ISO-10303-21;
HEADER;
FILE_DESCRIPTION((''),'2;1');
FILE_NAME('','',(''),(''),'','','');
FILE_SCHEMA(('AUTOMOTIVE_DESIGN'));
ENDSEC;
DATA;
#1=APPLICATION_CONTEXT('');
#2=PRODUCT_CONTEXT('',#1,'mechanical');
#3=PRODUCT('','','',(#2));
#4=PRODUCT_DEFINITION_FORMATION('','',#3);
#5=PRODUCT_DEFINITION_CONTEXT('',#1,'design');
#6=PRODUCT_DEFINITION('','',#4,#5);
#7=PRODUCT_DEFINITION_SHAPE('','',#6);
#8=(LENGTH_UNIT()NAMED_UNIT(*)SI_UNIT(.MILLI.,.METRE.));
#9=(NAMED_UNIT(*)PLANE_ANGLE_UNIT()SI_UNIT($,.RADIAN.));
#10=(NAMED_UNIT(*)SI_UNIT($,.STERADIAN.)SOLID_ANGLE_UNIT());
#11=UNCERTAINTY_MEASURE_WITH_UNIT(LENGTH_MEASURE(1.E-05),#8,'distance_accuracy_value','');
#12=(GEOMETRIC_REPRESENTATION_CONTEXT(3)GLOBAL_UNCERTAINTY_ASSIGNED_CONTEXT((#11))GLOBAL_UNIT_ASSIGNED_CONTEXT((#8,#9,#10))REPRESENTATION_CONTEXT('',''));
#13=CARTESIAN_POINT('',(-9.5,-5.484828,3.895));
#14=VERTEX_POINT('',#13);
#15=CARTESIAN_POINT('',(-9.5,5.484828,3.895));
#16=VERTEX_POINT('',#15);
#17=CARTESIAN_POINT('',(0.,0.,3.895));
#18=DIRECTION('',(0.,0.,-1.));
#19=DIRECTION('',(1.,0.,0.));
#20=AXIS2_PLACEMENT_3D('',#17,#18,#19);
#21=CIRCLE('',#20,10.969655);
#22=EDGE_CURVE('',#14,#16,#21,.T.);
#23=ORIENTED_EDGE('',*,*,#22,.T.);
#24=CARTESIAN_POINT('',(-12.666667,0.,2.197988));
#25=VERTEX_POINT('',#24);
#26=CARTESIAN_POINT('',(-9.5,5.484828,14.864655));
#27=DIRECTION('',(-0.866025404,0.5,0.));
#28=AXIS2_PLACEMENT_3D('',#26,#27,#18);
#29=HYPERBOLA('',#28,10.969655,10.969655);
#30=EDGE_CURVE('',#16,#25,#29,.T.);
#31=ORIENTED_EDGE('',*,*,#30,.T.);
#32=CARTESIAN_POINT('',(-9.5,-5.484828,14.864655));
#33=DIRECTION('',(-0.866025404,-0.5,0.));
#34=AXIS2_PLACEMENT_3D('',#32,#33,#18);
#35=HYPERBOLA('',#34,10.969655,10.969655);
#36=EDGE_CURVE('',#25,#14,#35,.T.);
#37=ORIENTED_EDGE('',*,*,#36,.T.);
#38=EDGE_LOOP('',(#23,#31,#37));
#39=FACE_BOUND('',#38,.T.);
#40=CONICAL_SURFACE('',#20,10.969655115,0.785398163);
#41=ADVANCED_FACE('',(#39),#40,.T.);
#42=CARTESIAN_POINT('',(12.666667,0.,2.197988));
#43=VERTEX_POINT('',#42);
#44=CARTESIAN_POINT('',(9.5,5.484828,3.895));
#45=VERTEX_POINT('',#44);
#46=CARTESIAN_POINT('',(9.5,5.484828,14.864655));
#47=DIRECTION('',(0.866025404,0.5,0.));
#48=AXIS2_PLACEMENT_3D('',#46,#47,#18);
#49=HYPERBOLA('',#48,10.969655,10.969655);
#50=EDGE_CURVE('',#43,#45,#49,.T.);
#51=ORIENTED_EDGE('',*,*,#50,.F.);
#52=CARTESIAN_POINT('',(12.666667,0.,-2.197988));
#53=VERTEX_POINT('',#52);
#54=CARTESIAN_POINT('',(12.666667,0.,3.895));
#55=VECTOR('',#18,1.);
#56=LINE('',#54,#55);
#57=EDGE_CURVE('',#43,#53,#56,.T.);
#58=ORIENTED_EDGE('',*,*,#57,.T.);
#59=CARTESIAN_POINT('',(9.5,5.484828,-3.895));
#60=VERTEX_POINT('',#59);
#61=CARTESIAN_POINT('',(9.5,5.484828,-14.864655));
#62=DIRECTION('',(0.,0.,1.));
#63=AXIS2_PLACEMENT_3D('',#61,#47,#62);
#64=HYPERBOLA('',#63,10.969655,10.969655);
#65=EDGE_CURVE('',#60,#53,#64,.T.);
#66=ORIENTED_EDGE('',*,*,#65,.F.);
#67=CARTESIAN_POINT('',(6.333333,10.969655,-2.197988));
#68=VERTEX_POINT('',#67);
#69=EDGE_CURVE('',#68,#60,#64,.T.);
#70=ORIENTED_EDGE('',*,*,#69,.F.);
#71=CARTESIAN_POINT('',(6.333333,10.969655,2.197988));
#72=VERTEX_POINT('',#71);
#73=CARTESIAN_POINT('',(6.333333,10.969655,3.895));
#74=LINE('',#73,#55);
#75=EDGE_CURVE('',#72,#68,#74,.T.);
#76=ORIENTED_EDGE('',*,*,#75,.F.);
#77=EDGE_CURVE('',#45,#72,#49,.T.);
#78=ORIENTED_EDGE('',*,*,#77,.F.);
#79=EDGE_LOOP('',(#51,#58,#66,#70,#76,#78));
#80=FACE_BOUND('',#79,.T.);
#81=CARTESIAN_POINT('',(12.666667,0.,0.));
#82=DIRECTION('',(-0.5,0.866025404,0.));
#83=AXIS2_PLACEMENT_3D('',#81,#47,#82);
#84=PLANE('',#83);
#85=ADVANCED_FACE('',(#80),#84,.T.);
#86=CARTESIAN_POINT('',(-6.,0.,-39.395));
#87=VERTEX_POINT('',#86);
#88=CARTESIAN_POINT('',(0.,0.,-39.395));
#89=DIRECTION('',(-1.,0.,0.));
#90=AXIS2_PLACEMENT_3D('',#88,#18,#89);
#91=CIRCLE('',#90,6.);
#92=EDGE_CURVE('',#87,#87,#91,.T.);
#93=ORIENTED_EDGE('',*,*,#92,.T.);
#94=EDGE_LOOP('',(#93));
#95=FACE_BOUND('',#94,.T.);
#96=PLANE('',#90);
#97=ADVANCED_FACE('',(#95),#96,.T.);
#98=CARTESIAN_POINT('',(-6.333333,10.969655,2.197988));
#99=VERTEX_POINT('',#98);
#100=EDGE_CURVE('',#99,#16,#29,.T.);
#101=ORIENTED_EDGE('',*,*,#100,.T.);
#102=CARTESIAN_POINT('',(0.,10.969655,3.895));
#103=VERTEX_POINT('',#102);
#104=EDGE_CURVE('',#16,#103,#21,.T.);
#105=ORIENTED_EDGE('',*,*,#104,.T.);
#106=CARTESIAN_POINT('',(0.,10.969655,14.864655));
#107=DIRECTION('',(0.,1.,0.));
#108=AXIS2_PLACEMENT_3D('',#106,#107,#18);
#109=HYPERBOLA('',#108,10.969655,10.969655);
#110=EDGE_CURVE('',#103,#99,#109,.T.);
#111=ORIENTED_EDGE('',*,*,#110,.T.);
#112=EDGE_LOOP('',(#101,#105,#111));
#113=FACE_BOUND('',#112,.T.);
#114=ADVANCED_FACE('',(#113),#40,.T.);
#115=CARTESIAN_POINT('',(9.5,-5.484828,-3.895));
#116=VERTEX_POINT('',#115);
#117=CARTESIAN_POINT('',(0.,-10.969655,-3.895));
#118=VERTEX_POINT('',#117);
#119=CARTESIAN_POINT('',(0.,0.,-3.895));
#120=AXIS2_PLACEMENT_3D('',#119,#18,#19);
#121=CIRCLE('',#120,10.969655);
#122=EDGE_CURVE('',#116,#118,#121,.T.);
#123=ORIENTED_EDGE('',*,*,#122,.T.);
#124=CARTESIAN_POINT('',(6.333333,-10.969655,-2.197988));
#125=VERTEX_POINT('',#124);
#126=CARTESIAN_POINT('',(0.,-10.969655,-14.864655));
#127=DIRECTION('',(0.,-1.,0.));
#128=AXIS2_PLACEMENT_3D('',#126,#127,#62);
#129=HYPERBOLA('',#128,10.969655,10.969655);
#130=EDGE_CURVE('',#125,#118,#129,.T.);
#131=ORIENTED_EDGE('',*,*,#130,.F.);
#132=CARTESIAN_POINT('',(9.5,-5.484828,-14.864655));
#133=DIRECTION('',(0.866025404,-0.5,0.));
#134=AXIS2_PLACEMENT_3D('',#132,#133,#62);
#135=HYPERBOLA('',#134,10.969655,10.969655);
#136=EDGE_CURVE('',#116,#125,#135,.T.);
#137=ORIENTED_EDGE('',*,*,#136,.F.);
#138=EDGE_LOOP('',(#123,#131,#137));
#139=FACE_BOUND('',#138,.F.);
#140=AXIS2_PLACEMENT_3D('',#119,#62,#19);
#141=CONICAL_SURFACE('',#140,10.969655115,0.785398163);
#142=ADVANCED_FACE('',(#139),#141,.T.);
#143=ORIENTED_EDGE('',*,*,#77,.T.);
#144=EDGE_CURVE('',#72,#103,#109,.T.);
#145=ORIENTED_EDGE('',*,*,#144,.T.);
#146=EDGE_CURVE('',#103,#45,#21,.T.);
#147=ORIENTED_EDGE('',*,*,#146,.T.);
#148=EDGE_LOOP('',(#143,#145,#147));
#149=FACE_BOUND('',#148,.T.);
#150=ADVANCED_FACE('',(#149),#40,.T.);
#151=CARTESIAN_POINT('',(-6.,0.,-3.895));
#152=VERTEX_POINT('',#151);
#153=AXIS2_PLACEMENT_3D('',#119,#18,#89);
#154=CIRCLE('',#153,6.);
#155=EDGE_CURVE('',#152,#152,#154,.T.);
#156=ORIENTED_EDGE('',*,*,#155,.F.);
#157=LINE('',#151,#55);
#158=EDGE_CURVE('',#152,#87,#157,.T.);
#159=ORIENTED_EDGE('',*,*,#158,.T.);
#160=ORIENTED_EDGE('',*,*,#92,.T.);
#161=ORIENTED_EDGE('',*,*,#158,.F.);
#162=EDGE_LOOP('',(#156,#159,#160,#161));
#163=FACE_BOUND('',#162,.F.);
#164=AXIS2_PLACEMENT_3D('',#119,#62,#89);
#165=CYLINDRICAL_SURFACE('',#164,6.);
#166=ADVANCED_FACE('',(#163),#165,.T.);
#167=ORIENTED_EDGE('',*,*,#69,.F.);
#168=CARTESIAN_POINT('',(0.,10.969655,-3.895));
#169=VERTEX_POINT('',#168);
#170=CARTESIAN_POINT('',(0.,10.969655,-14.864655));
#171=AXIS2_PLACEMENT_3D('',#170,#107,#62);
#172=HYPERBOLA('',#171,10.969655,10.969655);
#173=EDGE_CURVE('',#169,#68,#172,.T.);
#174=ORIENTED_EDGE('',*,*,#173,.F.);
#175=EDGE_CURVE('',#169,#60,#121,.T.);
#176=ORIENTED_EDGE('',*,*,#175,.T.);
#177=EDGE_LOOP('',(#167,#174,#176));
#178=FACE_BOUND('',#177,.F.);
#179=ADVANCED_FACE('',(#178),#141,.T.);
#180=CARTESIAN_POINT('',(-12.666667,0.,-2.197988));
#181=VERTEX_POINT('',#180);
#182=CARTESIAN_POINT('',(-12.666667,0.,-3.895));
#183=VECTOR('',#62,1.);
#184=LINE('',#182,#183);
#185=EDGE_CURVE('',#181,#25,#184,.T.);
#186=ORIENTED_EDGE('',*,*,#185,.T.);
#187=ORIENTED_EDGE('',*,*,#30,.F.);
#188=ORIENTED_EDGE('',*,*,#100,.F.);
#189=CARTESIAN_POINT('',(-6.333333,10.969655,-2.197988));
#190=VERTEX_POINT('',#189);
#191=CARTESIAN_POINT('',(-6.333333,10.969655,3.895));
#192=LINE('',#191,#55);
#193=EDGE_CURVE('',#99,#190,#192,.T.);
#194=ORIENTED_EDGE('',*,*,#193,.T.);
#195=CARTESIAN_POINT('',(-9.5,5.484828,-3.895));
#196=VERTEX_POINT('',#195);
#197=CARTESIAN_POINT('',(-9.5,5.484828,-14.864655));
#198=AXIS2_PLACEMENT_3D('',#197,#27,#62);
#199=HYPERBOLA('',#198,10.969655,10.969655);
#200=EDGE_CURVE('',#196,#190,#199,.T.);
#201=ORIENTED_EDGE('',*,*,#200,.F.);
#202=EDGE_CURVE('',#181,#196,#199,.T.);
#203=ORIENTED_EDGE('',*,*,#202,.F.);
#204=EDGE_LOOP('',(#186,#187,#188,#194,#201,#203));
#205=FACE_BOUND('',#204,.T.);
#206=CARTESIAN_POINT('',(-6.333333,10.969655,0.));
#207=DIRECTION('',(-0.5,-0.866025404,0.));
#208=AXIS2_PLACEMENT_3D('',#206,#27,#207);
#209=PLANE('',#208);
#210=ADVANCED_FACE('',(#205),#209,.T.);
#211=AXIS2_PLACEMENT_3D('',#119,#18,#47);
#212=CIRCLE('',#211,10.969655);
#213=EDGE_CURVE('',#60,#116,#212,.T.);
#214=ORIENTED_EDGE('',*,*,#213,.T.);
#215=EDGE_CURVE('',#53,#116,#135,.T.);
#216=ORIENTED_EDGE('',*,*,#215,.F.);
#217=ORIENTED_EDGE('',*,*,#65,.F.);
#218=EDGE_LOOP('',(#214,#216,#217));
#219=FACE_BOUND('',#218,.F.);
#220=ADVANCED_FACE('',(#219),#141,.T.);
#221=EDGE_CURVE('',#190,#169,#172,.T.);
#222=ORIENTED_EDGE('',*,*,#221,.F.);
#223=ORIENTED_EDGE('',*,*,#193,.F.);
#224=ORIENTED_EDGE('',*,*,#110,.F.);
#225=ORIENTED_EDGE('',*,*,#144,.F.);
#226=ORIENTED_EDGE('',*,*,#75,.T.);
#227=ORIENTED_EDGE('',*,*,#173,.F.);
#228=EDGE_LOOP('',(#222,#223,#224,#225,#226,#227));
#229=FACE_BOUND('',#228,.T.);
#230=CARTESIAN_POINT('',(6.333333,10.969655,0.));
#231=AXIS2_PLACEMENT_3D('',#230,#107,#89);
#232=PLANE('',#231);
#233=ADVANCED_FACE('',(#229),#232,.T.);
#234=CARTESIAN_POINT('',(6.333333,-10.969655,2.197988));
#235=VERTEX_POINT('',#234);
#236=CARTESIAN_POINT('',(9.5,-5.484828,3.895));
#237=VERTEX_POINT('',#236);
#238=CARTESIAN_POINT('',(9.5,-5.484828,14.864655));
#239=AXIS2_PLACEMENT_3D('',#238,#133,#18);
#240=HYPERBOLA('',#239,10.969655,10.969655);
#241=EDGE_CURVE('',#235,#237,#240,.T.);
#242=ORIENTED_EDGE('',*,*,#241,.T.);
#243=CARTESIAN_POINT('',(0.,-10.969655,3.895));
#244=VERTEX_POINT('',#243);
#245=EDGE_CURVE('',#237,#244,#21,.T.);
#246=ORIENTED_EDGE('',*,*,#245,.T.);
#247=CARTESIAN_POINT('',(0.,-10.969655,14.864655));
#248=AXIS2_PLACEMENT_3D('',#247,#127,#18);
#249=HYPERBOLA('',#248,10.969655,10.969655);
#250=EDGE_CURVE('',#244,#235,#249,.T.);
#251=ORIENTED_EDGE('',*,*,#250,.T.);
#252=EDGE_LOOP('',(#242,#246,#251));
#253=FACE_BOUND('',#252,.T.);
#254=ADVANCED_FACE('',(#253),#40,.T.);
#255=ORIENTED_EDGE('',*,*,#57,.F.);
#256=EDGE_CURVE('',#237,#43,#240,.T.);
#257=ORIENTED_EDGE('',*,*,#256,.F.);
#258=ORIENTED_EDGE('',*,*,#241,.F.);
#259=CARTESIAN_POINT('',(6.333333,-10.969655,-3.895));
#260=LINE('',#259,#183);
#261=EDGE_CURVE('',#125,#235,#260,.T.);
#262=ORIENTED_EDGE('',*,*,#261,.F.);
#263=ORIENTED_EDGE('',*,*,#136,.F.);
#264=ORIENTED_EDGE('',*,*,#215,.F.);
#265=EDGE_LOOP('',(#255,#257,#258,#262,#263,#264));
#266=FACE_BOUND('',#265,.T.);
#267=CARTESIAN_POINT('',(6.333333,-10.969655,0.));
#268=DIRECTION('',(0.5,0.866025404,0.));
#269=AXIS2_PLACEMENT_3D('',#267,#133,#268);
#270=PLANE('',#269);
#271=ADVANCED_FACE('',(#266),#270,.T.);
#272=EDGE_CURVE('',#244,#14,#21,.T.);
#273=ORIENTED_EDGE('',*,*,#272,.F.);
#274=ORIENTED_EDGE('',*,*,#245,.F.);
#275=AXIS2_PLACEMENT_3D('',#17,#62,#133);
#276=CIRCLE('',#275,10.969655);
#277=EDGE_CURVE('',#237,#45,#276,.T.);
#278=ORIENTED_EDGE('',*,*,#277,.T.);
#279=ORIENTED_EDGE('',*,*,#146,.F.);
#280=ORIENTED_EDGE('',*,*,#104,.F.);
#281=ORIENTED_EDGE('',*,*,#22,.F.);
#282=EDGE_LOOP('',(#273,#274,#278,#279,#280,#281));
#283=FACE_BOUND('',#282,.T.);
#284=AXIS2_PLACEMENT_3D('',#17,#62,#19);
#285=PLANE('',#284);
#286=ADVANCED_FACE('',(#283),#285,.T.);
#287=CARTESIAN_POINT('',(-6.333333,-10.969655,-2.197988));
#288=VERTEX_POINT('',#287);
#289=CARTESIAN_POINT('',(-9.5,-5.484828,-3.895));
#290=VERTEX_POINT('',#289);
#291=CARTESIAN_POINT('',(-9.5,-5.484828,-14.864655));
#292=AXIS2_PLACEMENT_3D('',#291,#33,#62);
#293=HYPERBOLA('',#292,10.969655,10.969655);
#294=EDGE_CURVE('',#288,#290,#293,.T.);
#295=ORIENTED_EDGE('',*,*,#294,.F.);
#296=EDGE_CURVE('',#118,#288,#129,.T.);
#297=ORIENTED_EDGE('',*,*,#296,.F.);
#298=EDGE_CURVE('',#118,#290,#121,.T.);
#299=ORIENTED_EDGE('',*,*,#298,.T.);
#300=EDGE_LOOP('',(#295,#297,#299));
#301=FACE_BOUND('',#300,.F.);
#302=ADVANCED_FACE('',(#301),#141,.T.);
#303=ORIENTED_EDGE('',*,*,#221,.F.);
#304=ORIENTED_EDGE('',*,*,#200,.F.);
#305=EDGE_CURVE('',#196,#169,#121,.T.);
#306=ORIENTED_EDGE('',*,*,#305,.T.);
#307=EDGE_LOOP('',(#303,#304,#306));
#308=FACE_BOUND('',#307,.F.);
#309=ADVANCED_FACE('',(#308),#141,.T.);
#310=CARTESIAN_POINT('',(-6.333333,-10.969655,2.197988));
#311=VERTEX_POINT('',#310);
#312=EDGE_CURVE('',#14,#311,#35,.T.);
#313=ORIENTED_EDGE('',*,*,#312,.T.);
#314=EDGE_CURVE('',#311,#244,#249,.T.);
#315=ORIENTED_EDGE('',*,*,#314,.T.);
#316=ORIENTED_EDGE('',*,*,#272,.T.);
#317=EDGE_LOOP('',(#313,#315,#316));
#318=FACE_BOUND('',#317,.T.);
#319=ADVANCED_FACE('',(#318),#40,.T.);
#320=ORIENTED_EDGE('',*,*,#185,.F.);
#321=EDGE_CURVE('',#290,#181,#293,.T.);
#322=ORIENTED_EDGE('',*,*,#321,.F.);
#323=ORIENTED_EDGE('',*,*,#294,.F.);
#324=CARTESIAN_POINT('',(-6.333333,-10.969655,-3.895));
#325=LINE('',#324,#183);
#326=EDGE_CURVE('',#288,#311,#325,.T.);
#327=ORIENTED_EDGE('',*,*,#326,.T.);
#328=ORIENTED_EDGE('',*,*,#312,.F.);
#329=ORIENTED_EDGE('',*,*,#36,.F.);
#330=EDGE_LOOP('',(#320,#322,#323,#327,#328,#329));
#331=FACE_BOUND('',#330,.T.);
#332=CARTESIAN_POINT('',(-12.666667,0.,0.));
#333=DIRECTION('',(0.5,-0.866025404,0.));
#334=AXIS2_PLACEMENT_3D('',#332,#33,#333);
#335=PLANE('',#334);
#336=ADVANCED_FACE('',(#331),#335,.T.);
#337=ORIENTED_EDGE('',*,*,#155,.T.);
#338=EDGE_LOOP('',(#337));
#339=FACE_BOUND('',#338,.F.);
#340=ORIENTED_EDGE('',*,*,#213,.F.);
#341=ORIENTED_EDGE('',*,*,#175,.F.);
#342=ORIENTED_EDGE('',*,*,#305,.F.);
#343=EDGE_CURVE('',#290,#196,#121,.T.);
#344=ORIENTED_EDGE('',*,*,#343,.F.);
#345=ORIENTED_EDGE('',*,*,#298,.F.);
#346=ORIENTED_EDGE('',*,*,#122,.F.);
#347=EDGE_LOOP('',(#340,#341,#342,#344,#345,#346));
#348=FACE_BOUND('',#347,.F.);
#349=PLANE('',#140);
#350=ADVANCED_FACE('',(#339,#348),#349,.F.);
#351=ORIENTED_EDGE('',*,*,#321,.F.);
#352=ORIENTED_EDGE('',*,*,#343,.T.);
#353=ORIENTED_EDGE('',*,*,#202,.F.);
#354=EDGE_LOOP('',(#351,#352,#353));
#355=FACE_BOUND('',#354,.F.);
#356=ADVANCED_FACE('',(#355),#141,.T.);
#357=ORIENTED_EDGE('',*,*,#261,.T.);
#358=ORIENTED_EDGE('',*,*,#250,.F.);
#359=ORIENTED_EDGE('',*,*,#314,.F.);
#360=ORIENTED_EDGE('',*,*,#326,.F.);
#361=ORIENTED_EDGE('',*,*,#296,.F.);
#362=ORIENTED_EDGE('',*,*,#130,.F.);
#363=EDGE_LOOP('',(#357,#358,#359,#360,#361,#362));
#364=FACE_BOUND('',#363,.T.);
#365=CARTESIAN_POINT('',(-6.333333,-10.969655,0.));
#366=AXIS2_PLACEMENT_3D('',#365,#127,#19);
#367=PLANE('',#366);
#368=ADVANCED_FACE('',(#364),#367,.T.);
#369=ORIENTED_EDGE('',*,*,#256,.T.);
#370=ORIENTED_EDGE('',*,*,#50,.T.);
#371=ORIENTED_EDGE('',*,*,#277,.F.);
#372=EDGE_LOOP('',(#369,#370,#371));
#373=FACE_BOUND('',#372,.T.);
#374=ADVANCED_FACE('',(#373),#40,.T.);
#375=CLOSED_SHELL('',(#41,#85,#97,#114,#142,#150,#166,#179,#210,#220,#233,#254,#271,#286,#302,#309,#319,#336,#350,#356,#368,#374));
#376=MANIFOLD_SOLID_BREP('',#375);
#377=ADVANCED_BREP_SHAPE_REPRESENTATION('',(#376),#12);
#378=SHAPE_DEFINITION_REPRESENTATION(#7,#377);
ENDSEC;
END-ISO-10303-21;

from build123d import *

# Parameters (mm, degrees)
BOSS_EXTRUDE1_DEPTH = 3.895
SKETCH2_OUTSIDE_W   = 51.796
SKETCH2_OUTSIDE_H   = 48.402
SKETCH2_OUTSIDE_R   = 10.969655115
CUT_EXTRUDE1_DEPTH  = 8.79
CUT_EXTRUDE1_TAPER  = 45
SKETCH3_R           = 6
BOSS_EXTRUDE2_DEPTH = 35.5


with BuildPart() as part:
    # Sketch1 → Boss-Extrude1 (new body, symmetric)
    with BuildSketch(Plane.XY):
        Polygon((-6.333333333, 10.969655115), (-12.666666667, 0), (-6.333333333, -10.969655115), (6.333333333, -10.969655115), (12.666666667, 0), (6.333333333, 10.969655115), align=None)
    extrude(amount=BOSS_EXTRUDE1_DEPTH, both=True)

    # Sketch2 outside → Cut-Extrude1 (cut, through all)
    with BuildSketch(Plane.XY.offset(3.895)):
        Rectangle(SKETCH2_OUTSIDE_W, SKETCH2_OUTSIDE_H)
        Circle(SKETCH2_OUTSIDE_R, mode=Mode.SUBTRACT)
    cut_extrude1 = extrude(amount=-CUT_EXTRUDE1_DEPTH, taper=CUT_EXTRUDE1_TAPER, mode=Mode.SUBTRACT)

    # Mirror1: Cut-Extrude1 across plane
    add(cut_extrude1.mirror(Plane.XY), mode=Mode.SUBTRACT)

    # Sketch3 → Boss-Extrude2 (add)
    with BuildSketch(Plane(origin=(0, 0, -3.895), x_dir=(-1, 0, 0), z_dir=(0, 0, -1))):
        Circle(SKETCH3_R)
    extrude(amount=BOSS_EXTRUDE2_DEPTH)


solid = part.part
